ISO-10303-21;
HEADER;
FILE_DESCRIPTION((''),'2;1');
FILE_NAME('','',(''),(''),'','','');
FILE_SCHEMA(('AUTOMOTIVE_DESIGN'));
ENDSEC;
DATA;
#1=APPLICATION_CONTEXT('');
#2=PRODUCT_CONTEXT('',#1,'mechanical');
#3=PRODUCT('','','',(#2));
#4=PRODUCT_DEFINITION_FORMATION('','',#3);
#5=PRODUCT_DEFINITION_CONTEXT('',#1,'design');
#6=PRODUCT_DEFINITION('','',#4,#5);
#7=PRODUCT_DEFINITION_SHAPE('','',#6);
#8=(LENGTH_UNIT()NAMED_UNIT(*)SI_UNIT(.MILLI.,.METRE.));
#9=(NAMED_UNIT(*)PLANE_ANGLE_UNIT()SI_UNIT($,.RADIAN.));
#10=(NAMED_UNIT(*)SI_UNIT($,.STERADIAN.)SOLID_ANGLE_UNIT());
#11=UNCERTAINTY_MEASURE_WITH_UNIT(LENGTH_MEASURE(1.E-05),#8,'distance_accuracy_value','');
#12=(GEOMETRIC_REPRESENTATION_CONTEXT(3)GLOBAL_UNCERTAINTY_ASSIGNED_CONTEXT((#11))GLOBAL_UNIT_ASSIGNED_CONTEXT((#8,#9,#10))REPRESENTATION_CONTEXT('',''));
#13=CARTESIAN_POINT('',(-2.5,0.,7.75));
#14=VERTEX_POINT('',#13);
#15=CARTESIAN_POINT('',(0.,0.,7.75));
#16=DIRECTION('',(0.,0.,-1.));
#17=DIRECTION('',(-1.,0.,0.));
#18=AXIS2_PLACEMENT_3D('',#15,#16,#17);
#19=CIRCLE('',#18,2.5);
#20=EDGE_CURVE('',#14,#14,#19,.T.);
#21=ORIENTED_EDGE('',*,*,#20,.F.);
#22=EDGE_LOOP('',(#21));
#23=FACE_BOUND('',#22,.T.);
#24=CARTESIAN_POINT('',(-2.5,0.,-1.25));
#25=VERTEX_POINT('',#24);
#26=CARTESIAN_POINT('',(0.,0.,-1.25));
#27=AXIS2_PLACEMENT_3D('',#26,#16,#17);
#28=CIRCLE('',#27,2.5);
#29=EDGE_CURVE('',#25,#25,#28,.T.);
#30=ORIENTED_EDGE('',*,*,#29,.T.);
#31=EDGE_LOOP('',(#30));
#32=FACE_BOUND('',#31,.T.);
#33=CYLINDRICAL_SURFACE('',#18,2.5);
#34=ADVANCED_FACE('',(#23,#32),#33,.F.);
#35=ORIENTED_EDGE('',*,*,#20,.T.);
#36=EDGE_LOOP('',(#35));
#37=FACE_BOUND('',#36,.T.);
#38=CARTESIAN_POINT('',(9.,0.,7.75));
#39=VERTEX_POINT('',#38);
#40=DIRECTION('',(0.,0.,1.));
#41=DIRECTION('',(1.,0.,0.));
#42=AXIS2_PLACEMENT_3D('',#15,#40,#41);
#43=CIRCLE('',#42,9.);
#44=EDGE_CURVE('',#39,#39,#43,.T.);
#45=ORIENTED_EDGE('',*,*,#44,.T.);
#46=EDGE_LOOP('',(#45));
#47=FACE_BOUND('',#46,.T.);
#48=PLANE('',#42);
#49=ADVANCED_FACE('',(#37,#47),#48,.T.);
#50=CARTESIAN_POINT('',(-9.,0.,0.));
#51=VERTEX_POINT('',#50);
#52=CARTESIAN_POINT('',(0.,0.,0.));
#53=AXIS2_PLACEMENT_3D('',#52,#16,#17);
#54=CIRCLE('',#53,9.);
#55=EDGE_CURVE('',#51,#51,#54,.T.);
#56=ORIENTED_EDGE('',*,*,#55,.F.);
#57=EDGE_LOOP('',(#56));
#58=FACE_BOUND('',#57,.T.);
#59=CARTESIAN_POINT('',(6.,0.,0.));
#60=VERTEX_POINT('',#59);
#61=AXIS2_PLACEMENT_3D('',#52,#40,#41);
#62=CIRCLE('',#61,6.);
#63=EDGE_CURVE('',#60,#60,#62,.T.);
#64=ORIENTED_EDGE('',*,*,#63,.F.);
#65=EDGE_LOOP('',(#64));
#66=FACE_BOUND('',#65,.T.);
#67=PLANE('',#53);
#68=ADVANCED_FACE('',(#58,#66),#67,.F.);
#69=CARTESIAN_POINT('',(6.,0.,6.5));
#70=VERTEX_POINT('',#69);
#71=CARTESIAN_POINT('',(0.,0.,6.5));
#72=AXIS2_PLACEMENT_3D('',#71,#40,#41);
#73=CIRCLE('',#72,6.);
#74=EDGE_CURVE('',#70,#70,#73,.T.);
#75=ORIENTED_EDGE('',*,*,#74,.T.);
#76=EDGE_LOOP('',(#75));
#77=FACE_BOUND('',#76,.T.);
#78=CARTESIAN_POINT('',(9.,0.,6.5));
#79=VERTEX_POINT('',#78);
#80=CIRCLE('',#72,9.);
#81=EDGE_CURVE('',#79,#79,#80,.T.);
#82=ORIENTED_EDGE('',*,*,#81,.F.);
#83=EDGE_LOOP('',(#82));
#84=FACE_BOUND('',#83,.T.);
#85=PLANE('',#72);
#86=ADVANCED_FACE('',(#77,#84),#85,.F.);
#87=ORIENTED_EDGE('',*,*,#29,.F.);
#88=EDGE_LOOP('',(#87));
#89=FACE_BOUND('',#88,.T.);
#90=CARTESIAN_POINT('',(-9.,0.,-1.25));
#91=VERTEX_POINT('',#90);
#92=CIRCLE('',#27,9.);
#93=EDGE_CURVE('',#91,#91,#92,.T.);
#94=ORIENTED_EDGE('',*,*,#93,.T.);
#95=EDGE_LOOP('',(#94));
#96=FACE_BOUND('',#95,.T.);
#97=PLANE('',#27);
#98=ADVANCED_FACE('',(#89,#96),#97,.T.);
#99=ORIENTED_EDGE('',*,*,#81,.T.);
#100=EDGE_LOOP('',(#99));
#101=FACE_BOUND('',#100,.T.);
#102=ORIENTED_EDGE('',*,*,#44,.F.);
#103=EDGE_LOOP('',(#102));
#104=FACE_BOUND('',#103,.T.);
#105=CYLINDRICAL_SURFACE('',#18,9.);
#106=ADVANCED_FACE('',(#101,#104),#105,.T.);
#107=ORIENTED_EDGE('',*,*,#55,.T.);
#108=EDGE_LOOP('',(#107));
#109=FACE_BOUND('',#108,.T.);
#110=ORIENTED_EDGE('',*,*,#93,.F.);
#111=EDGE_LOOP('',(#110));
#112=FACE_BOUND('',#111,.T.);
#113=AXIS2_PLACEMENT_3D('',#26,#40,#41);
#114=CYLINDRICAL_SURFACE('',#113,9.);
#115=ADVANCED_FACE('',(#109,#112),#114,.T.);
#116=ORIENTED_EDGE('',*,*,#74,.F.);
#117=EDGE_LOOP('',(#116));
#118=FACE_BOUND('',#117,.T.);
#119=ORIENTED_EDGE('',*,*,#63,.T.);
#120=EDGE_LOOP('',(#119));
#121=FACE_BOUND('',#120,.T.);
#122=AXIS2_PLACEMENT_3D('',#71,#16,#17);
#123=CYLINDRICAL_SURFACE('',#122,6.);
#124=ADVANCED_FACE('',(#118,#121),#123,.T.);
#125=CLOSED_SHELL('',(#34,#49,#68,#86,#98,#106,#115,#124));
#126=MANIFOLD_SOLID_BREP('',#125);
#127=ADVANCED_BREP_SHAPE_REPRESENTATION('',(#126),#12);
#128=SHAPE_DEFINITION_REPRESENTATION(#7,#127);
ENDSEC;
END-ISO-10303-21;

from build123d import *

# Parameters (mm, degrees)
CROQUIS1_R              = 6
SALIENTE_EXTRUIR1_DEPTH = 6.5
CROQUIS2_R              = 9
SALIENTE_EXTRUIR2_DEPTH = 1.25
CROQUIS3_R              = 9
SALIENTE_EXTRUIR3_DEPTH = 1.25
CROQUIS4_R              = 2.5
CORTAR_EXTRUIR1_DEPTH   = 10


with BuildPart() as part:
    # Croquis1 → Saliente-Extruir1 (new body)
    with BuildSketch(Plane.XY):
        Circle(CROQUIS1_R)
    extrude(amount=SALIENTE_EXTRUIR1_DEPTH)

    # Croquis2 → Saliente-Extruir2 (add)
    with BuildSketch(Plane.XY.offset(6.5)):
        Circle(CROQUIS2_R)
    extrude(amount=SALIENTE_EXTRUIR2_DEPTH)

    # Croquis3 → Saliente-Extruir3 (add)
    with BuildSketch(Plane(origin=(0, 0, 0), x_dir=(-1, 0, 0), z_dir=(0, 0, -1))):
        Circle(CROQUIS3_R)
    extrude(amount=SALIENTE_EXTRUIR3_DEPTH)

    # Croquis4 → Cortar-Extruir1 (cut, through all)
    with BuildSketch(Plane(origin=(0, 0, -1.25), x_dir=(-1, 0, 0), z_dir=(0, 0, -1))):
        Circle(CROQUIS4_R)
    extrude(amount=-CORTAR_EXTRUIR1_DEPTH, mode=Mode.SUBTRACT)


solid = part.part
